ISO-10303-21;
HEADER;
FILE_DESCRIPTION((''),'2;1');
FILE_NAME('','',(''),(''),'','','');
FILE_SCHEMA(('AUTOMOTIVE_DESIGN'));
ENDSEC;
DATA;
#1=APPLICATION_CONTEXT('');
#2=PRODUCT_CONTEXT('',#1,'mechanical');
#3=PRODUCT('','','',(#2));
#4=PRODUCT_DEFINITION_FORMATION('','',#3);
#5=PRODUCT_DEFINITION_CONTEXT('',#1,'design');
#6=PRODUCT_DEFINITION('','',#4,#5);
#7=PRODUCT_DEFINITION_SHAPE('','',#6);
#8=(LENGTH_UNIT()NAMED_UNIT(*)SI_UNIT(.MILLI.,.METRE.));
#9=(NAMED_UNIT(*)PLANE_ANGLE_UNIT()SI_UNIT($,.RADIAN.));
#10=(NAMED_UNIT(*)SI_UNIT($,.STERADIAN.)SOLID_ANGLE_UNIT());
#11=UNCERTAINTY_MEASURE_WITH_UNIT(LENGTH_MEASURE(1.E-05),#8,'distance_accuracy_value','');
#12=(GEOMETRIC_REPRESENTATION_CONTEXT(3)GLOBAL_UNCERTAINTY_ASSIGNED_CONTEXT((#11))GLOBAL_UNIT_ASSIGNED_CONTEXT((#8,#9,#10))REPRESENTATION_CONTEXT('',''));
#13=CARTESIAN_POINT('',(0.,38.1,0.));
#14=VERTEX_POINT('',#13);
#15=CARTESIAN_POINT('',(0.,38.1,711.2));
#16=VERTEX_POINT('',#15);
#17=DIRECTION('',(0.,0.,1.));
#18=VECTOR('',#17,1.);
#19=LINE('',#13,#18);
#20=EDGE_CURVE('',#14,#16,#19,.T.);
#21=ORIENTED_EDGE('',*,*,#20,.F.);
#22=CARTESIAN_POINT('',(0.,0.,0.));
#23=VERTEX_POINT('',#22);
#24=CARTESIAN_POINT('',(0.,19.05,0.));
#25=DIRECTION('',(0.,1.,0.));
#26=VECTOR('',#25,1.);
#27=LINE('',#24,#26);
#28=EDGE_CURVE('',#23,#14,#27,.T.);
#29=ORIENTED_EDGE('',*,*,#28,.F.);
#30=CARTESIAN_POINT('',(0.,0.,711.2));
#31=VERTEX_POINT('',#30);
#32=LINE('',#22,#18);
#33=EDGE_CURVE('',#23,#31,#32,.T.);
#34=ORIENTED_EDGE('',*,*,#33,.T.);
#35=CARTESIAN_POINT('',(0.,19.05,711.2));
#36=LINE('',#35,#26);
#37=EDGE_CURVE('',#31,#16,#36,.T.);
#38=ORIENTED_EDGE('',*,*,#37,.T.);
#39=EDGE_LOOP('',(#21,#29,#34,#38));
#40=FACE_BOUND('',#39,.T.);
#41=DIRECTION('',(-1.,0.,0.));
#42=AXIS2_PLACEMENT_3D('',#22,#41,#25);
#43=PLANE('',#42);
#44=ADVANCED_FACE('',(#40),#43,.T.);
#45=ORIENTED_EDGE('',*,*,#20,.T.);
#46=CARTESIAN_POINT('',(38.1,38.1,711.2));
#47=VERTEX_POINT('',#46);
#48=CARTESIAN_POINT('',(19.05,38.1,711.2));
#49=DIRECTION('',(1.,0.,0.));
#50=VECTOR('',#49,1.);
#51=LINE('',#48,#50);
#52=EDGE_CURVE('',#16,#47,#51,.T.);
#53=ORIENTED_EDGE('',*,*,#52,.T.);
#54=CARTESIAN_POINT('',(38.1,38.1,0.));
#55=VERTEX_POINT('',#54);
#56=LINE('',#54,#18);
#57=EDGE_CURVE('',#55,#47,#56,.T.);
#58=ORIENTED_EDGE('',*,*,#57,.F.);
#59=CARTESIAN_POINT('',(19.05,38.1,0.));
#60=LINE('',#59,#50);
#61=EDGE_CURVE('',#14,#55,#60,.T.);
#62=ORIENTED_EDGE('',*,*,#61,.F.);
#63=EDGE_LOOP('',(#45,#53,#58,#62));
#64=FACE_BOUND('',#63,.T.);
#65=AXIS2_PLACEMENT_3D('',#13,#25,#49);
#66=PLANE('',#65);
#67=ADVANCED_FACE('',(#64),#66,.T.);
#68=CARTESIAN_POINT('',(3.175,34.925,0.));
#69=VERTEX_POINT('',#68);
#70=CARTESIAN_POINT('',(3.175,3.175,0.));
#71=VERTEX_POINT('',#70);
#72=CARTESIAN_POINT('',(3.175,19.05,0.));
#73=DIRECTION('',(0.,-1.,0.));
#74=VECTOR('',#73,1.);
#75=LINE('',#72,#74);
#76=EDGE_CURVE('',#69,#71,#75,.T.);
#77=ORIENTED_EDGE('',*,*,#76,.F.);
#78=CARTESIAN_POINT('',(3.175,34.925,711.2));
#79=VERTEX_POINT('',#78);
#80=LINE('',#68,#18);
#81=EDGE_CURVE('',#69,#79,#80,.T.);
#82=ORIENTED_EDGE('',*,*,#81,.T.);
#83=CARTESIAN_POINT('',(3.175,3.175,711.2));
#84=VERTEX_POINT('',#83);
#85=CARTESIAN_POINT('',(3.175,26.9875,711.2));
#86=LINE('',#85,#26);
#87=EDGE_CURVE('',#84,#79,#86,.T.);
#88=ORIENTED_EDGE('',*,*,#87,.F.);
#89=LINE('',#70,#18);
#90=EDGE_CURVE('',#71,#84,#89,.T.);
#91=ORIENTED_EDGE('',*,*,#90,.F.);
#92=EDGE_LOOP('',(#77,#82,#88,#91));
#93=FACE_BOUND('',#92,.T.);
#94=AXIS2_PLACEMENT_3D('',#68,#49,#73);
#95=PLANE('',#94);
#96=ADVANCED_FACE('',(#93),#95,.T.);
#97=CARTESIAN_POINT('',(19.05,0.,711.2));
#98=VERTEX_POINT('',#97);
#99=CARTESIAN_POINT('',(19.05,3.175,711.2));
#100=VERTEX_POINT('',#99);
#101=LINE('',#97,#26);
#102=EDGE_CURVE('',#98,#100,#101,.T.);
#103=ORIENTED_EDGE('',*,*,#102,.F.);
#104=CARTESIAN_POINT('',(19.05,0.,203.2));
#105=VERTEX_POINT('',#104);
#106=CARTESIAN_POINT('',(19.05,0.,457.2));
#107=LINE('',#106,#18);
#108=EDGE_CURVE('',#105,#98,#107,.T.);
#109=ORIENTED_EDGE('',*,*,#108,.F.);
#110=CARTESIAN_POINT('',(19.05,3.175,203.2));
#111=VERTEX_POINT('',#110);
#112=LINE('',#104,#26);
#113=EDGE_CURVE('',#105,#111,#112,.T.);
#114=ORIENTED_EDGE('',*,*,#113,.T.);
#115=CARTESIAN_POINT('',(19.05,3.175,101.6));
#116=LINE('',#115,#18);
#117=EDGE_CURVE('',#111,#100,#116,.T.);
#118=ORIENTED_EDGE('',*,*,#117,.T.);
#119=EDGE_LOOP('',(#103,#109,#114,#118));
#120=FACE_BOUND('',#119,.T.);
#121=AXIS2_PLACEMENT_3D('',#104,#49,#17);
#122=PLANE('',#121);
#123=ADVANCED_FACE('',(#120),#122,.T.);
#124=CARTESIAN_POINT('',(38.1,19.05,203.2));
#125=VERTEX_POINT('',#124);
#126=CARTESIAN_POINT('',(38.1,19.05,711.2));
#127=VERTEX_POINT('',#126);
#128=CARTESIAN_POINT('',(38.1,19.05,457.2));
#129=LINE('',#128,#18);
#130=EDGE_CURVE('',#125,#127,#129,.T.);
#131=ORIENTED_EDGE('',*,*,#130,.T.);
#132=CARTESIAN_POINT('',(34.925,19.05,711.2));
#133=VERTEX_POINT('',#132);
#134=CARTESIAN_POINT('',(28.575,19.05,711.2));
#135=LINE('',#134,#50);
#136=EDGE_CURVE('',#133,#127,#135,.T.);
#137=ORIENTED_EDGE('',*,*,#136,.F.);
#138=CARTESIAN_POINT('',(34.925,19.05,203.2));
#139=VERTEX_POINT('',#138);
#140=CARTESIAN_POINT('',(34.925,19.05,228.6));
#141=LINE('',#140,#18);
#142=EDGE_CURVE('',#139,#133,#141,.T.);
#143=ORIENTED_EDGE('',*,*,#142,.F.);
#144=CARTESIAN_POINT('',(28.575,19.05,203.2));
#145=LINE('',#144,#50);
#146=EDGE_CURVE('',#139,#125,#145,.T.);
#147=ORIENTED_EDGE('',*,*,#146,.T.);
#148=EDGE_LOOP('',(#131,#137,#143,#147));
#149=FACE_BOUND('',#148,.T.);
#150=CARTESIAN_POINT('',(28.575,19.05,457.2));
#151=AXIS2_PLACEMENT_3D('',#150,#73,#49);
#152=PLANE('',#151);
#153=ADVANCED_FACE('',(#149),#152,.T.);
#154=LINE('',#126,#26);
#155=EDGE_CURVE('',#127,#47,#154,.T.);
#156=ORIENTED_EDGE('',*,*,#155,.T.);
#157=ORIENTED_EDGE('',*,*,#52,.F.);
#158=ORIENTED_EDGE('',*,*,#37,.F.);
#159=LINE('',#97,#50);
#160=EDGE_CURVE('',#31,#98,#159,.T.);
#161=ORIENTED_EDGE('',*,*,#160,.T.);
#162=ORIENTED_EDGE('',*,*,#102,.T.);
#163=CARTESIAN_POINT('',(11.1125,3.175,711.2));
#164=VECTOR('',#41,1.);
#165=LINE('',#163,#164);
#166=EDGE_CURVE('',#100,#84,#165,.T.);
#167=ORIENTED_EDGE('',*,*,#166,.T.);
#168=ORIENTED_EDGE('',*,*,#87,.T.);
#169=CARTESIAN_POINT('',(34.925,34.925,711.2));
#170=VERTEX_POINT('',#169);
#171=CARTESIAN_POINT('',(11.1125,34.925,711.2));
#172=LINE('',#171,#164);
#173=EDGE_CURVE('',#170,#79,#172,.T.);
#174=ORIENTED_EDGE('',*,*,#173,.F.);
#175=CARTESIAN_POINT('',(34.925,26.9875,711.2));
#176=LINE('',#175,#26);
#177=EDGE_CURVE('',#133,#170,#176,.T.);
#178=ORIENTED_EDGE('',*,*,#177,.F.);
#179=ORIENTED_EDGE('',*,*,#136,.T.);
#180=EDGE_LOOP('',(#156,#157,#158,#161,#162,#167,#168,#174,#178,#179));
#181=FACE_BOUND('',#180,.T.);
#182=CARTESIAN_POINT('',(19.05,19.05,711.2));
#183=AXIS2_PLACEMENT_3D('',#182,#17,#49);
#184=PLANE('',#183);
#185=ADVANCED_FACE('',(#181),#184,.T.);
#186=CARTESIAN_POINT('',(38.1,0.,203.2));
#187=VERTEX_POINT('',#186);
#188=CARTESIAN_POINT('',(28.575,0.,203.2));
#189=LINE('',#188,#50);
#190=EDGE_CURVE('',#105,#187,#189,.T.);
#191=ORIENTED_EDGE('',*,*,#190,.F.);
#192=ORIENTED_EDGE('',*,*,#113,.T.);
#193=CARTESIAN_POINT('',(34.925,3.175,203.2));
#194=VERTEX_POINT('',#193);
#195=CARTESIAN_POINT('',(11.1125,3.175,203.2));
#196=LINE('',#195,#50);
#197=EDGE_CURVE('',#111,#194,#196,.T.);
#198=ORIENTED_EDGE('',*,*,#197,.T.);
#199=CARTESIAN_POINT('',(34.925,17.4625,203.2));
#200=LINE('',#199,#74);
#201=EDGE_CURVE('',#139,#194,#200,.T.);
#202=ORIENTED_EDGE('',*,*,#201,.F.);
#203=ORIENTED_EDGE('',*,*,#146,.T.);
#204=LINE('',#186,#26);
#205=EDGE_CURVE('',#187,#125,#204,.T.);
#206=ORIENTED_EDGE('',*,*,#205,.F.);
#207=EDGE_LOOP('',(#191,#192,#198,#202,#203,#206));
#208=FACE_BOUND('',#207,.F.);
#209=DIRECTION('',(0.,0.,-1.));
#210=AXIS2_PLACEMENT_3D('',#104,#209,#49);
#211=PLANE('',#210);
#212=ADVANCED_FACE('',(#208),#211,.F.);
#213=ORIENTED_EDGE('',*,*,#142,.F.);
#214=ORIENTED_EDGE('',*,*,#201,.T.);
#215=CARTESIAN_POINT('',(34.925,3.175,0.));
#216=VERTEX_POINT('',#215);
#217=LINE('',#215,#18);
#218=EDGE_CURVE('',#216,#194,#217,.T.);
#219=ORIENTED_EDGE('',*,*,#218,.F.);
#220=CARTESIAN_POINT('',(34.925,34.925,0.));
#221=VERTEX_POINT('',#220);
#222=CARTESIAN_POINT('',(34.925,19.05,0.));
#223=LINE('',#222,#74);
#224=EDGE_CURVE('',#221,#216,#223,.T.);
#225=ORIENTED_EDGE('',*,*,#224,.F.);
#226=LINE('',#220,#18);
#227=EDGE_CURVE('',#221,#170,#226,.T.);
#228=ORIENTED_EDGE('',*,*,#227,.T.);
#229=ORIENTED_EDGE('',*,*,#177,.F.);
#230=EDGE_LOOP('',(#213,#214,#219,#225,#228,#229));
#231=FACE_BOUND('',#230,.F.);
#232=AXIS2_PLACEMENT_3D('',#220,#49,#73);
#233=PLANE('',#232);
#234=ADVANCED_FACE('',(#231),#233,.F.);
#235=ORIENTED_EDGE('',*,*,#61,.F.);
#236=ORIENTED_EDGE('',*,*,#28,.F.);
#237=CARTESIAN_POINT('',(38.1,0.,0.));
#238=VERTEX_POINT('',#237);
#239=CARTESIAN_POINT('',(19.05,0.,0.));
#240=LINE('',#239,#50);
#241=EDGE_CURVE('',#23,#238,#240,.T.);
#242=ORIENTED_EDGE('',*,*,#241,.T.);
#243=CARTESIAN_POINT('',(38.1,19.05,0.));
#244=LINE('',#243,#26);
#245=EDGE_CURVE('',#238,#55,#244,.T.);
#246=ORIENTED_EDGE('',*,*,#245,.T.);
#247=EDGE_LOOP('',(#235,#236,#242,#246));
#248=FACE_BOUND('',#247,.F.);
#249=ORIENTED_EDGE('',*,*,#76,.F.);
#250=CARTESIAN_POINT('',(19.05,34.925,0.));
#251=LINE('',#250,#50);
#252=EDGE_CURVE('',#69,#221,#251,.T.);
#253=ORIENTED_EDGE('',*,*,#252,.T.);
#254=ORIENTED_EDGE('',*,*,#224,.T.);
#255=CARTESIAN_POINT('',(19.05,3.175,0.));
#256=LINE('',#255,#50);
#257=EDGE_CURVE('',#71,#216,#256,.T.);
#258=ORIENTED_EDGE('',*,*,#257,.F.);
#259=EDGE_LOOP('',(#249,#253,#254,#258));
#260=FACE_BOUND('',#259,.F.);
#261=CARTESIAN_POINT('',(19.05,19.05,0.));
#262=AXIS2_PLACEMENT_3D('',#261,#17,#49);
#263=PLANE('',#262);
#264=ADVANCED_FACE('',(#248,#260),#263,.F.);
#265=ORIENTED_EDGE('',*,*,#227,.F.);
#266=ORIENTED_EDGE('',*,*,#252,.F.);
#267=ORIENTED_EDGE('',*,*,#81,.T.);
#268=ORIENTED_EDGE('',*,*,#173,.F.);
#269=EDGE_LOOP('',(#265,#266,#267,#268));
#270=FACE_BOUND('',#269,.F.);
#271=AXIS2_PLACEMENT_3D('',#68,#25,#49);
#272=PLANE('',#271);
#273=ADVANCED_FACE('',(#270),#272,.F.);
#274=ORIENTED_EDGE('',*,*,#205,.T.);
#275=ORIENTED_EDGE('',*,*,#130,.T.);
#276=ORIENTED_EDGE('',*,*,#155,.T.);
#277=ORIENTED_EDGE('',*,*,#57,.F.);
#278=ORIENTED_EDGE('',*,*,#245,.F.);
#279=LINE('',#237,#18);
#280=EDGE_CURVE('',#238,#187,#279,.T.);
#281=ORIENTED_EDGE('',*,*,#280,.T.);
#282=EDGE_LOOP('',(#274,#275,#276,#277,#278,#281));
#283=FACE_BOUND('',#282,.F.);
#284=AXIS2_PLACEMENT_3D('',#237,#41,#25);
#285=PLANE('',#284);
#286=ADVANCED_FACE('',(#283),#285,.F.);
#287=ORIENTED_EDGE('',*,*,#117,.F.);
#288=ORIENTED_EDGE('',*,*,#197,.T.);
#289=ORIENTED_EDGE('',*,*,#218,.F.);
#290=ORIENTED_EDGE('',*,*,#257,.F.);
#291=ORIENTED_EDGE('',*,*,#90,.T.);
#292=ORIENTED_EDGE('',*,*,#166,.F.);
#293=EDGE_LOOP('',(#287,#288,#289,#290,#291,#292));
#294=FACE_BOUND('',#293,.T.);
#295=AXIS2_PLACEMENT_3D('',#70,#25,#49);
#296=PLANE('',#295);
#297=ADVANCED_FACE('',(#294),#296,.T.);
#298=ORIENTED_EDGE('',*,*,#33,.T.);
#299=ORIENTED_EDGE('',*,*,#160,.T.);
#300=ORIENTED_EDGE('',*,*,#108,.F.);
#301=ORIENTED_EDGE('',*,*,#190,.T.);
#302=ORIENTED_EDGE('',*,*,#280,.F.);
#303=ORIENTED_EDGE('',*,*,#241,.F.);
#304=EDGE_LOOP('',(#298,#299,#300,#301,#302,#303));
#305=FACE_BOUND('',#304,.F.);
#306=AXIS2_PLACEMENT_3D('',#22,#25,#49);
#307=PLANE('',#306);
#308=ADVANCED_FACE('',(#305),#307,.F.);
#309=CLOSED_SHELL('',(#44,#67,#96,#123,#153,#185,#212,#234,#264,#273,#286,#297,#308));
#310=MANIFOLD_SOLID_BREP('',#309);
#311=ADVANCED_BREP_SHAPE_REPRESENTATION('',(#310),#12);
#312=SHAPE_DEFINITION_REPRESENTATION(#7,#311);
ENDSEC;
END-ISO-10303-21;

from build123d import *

# Parameters (mm, degrees)
F0_W     = 38.1
F0_H     = 38.1
F1_DEPTH = 711.2
F2_W     = 19.05
F2_H     = 508
F3_DEPTH = 19.05
F4_W     = 31.75
F4_H     = 31.75
F5_DEPTH = 711.201


with BuildPart() as f1:
    # F0 (on Top) → F1 (new body)
    with BuildSketch(Plane.XY):
        with Locations((19.05, 19.05)):
            Rectangle(F0_W, F0_H)
    extrude(amount=F1_DEPTH)

    # F2 (on face) → F3 (cut)
    with BuildSketch(Plane.XZ):
        with Locations((28.575, 457.2)):
            Rectangle(F2_W, F2_H)
    extrude(amount=-F3_DEPTH, mode=Mode.SUBTRACT)

    # F4 (on face) → F5 (cut, through all)
    with BuildSketch(Plane(origin=(0, 0, 0), x_dir=(1, 0, 0), z_dir=(0, 0, -1))):
        with Locations((19.05, -19.05)):
            Rectangle(F4_W, F4_H)
    extrude(amount=-F5_DEPTH, mode=Mode.SUBTRACT)


solid = f1.part
